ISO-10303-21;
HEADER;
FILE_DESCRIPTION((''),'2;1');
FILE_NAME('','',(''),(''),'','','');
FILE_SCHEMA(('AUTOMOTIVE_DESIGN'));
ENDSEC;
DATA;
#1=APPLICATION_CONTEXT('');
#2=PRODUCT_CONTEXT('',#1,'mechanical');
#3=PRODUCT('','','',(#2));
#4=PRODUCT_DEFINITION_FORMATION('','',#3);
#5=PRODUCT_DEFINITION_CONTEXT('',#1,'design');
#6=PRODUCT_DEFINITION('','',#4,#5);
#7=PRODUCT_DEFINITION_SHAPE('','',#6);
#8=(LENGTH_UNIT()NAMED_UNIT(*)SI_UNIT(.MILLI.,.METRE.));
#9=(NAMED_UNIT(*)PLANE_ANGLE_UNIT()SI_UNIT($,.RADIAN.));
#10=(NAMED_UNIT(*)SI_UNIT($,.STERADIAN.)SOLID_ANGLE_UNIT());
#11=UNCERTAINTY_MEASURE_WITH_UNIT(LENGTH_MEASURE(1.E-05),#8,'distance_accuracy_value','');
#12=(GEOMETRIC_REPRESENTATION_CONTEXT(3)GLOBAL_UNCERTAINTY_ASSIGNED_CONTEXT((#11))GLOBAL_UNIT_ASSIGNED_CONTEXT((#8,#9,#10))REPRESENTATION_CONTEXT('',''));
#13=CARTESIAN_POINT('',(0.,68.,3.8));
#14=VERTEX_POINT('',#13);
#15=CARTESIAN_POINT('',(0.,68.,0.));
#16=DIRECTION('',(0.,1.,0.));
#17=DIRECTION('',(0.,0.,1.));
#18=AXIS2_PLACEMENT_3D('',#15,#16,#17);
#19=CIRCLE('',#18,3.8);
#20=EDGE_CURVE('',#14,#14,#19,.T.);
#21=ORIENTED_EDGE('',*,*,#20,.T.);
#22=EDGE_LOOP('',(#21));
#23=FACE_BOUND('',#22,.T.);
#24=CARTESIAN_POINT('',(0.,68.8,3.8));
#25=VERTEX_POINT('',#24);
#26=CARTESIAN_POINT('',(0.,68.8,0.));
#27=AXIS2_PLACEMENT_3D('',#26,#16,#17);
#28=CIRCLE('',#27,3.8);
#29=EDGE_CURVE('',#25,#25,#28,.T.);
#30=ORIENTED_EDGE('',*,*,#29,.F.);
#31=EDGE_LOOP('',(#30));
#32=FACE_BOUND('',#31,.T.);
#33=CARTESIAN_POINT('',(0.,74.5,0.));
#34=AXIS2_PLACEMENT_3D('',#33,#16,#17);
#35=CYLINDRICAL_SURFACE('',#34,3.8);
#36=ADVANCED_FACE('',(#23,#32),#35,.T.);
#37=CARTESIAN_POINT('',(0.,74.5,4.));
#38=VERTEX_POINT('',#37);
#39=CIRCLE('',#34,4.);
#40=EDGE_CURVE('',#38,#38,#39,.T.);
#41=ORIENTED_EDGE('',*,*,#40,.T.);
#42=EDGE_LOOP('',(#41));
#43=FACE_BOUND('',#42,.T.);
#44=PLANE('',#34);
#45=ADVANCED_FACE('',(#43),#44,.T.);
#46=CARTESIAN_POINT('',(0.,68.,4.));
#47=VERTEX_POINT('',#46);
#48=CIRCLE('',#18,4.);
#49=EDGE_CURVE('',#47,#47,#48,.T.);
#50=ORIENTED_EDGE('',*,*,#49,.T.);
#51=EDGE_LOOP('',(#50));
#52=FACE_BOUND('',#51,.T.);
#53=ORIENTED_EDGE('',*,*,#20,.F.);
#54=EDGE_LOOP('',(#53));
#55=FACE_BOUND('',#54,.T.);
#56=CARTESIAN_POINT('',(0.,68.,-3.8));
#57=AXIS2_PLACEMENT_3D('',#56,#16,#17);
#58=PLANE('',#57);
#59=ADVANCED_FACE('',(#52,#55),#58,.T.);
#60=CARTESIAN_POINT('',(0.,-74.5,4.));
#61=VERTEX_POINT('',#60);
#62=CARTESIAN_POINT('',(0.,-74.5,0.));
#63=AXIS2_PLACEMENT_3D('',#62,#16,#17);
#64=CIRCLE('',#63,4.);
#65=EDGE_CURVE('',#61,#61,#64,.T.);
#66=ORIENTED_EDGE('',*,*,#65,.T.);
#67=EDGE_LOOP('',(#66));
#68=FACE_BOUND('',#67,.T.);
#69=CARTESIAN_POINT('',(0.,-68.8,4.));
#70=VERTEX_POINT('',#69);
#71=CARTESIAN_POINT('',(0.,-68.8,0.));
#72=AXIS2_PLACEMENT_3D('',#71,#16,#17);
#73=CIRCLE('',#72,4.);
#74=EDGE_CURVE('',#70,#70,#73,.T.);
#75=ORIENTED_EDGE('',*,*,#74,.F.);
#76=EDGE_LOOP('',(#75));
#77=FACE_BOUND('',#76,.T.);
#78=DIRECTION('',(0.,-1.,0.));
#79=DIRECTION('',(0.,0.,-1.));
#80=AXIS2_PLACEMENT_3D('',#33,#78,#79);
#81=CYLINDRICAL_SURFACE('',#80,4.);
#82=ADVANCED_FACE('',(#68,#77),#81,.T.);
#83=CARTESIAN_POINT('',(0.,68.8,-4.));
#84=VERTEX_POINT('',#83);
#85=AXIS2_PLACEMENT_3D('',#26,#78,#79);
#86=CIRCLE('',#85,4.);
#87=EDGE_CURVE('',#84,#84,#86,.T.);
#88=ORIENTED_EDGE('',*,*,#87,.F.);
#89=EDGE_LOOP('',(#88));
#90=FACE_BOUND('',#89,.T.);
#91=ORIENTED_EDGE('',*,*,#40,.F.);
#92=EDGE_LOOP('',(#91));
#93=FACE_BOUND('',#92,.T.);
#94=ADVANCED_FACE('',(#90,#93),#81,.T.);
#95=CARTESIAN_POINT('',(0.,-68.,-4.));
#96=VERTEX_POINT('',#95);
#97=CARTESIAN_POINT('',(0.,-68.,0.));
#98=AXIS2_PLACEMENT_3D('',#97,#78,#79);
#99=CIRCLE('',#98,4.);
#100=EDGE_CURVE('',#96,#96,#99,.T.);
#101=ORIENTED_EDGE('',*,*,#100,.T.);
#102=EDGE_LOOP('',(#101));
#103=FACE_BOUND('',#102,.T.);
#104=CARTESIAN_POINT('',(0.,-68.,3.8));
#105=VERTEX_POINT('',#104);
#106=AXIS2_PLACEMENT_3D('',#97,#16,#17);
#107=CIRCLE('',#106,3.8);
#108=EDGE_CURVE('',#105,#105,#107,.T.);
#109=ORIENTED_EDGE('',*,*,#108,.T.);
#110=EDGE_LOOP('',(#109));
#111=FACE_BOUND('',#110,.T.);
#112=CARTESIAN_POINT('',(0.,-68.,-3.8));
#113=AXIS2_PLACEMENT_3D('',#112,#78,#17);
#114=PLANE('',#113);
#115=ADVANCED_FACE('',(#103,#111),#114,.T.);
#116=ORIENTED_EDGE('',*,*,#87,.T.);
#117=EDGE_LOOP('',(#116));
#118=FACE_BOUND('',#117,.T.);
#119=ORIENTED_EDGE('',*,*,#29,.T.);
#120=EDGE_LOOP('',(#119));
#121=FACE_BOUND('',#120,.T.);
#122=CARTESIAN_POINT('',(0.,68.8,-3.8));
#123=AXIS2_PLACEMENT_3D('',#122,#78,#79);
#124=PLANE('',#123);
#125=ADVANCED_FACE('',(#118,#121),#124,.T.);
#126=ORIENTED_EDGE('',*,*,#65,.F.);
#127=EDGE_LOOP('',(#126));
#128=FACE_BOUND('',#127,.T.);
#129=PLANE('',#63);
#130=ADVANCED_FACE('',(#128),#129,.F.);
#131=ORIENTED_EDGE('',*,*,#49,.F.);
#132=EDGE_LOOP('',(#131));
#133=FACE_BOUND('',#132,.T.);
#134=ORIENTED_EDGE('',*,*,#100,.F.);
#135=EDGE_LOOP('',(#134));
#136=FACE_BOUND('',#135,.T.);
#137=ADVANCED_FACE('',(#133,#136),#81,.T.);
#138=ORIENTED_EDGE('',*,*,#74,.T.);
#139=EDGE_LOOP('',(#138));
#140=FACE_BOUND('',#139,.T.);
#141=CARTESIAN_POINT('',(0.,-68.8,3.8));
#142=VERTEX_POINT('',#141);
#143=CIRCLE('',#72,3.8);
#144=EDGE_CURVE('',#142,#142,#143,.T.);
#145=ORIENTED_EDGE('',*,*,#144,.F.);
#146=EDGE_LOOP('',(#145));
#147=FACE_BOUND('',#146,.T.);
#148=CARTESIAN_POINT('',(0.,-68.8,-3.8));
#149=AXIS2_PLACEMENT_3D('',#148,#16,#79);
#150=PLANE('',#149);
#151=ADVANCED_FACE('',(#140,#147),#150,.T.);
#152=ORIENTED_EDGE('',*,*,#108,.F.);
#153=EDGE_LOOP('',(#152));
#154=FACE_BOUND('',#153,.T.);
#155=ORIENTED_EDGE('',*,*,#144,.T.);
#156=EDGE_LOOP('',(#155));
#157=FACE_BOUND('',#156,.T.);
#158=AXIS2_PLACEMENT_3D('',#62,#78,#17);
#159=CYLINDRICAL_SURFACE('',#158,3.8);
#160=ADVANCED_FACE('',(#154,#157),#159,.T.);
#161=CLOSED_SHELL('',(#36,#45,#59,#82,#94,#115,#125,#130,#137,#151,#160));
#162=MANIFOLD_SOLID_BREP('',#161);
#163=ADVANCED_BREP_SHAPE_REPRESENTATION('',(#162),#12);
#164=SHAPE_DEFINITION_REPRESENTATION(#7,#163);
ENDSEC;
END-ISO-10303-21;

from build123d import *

# Parameters (mm, degrees)
SKETCH_1_R      = 4
EXTRUDE_1_DEPTH = 74.5
SKETCH_3_W      = 5
SKETCH_3_H      = 0.8


with BuildPart() as part:
    # 草图1 → 凸台-拉伸1 (new, symmetric)
    with BuildSketch(Plane(origin=(0, 0, 0), x_dir=(1, 0, 0), z_dir=(0, 1, 0))):
        with Locations(Location((0, 0, 0), (0, 0, 270))):
            Circle(SKETCH_1_R)
    extrude(amount=EXTRUDE_1_DEPTH, both=True)

    # 草图3 → 切除-旋转1 (revolve, cut)
    with BuildSketch(Plane(origin=(0, 0, 0), x_dir=(0, 0, -1), z_dir=(1, 0, 0)), mode=Mode.PRIVATE) as cut_revolve_1_sk:
        with Locations((6.3, 68.4)):
            Rectangle(SKETCH_3_W, SKETCH_3_H)
    cut_revolve_1 = revolve(cut_revolve_1_sk.sketch.rotate(Axis((0, 74.5, 0), (0, -1, 0)), 180), axis=Axis((0, 74.5, 0), (0, -1, 0)), mode=Mode.SUBTRACT)

    # 镜向1: 切除-旋转1 across plane
    add(cut_revolve_1.mirror(Plane.ZX), mode=Mode.SUBTRACT)


solid = part.part
